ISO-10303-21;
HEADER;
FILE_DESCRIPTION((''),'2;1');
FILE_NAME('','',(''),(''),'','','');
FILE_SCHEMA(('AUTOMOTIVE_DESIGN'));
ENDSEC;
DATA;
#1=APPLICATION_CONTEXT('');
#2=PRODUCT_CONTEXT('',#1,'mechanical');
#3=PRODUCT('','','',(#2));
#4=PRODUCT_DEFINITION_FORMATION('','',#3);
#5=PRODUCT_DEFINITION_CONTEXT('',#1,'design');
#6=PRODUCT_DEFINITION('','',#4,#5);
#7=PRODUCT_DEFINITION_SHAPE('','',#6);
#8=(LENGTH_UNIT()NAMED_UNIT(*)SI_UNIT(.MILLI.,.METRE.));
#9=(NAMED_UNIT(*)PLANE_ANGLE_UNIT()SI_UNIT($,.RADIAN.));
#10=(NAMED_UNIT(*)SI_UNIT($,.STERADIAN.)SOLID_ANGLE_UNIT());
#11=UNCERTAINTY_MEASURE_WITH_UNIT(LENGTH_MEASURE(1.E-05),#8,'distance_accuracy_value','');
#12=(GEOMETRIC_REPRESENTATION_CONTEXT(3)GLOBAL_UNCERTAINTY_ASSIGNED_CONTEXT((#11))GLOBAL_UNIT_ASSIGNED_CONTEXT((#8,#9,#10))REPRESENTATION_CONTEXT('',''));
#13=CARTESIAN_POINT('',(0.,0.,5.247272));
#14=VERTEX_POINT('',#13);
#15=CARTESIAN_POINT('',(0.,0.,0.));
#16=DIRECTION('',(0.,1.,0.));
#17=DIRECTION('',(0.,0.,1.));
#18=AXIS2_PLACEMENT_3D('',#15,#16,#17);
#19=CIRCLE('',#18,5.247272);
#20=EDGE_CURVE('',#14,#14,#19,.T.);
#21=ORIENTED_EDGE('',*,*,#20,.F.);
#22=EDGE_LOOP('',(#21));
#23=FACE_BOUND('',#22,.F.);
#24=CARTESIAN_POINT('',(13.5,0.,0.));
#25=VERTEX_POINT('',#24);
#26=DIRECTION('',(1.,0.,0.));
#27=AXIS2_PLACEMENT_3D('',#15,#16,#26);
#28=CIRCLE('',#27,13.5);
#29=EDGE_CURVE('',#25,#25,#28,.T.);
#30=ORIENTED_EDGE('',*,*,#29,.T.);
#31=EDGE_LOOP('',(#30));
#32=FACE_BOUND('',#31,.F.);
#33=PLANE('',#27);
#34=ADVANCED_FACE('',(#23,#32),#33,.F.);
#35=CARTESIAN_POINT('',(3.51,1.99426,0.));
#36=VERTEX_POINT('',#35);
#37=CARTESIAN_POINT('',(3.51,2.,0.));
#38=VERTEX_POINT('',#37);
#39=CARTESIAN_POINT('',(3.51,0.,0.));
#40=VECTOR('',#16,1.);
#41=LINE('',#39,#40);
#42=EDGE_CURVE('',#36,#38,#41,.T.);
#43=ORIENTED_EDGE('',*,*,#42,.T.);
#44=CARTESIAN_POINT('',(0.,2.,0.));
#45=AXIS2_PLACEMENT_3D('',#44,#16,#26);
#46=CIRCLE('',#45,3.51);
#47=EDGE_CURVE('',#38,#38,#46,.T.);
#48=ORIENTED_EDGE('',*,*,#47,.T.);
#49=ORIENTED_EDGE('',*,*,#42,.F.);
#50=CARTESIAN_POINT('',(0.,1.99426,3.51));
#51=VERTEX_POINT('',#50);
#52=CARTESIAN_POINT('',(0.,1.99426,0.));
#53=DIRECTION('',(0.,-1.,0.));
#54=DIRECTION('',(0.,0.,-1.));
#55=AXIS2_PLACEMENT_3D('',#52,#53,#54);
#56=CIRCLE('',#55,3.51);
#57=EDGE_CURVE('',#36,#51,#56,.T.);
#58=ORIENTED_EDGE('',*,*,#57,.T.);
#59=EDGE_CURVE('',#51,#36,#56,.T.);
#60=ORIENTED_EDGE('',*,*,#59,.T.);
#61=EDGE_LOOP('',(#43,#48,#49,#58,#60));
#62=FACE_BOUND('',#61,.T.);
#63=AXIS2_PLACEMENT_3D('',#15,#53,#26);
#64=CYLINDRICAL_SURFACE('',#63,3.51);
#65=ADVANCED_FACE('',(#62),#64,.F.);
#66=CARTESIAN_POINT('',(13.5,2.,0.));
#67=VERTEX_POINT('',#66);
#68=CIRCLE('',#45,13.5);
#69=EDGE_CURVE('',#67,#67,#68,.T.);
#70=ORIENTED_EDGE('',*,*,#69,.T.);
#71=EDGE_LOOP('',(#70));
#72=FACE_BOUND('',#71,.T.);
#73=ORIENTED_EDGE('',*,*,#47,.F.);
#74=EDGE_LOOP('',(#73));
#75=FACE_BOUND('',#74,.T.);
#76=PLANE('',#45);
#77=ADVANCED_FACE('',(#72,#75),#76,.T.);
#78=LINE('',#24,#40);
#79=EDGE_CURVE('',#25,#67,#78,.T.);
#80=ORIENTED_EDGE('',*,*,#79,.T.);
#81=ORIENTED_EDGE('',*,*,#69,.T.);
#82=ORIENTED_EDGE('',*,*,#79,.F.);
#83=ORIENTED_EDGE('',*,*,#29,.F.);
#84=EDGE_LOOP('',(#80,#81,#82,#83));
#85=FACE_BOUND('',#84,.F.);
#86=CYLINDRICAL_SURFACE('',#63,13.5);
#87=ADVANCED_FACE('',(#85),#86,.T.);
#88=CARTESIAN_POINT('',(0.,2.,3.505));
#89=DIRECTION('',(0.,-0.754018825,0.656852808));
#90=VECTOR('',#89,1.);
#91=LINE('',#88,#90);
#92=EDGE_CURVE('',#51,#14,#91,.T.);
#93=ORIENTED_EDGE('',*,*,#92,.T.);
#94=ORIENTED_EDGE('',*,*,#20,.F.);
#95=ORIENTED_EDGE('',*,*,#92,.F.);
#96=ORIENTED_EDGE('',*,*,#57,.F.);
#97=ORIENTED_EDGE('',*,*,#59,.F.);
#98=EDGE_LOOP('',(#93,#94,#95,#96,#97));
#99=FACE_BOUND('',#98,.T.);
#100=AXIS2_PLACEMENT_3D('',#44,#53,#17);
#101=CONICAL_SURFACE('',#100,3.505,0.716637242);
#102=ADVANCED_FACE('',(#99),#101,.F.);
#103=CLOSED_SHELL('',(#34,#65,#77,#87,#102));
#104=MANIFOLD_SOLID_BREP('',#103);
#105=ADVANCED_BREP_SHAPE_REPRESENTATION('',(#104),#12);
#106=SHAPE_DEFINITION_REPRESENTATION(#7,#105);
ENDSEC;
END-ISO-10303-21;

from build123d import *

# Parameters (mm, degrees)
SKETCH1_R           = 13.5
SKETCH1_R_2         = 3.51
BOSS_EXTRUDE1_DEPTH = 2


with BuildPart() as part:
    # Sketch1 → Boss-Extrude1 (new body)
    with BuildSketch(Plane(origin=(0, 0, 0), x_dir=(1, 0, 0), z_dir=(0, 1, 0))):
        Circle(SKETCH1_R)
        Circle(SKETCH1_R_2, mode=Mode.SUBTRACT)
    extrude(amount=BOSS_EXTRUDE1_DEPTH)

    # Sketch2 → Cut-Revolve1 (revolve, cut)
    with BuildSketch(Plane(origin=(0, 0, 0), x_dir=(0, 0, -1), z_dir=(1, 0, 0))):
        Polygon((-3.505, 2), (-5.24727164, 0), (-3.505, 0), align=None)
    revolve(axis=Axis((0, -2.060833688, 0), (0, 1, 0)), mode=Mode.SUBTRACT)


solid = part.part
